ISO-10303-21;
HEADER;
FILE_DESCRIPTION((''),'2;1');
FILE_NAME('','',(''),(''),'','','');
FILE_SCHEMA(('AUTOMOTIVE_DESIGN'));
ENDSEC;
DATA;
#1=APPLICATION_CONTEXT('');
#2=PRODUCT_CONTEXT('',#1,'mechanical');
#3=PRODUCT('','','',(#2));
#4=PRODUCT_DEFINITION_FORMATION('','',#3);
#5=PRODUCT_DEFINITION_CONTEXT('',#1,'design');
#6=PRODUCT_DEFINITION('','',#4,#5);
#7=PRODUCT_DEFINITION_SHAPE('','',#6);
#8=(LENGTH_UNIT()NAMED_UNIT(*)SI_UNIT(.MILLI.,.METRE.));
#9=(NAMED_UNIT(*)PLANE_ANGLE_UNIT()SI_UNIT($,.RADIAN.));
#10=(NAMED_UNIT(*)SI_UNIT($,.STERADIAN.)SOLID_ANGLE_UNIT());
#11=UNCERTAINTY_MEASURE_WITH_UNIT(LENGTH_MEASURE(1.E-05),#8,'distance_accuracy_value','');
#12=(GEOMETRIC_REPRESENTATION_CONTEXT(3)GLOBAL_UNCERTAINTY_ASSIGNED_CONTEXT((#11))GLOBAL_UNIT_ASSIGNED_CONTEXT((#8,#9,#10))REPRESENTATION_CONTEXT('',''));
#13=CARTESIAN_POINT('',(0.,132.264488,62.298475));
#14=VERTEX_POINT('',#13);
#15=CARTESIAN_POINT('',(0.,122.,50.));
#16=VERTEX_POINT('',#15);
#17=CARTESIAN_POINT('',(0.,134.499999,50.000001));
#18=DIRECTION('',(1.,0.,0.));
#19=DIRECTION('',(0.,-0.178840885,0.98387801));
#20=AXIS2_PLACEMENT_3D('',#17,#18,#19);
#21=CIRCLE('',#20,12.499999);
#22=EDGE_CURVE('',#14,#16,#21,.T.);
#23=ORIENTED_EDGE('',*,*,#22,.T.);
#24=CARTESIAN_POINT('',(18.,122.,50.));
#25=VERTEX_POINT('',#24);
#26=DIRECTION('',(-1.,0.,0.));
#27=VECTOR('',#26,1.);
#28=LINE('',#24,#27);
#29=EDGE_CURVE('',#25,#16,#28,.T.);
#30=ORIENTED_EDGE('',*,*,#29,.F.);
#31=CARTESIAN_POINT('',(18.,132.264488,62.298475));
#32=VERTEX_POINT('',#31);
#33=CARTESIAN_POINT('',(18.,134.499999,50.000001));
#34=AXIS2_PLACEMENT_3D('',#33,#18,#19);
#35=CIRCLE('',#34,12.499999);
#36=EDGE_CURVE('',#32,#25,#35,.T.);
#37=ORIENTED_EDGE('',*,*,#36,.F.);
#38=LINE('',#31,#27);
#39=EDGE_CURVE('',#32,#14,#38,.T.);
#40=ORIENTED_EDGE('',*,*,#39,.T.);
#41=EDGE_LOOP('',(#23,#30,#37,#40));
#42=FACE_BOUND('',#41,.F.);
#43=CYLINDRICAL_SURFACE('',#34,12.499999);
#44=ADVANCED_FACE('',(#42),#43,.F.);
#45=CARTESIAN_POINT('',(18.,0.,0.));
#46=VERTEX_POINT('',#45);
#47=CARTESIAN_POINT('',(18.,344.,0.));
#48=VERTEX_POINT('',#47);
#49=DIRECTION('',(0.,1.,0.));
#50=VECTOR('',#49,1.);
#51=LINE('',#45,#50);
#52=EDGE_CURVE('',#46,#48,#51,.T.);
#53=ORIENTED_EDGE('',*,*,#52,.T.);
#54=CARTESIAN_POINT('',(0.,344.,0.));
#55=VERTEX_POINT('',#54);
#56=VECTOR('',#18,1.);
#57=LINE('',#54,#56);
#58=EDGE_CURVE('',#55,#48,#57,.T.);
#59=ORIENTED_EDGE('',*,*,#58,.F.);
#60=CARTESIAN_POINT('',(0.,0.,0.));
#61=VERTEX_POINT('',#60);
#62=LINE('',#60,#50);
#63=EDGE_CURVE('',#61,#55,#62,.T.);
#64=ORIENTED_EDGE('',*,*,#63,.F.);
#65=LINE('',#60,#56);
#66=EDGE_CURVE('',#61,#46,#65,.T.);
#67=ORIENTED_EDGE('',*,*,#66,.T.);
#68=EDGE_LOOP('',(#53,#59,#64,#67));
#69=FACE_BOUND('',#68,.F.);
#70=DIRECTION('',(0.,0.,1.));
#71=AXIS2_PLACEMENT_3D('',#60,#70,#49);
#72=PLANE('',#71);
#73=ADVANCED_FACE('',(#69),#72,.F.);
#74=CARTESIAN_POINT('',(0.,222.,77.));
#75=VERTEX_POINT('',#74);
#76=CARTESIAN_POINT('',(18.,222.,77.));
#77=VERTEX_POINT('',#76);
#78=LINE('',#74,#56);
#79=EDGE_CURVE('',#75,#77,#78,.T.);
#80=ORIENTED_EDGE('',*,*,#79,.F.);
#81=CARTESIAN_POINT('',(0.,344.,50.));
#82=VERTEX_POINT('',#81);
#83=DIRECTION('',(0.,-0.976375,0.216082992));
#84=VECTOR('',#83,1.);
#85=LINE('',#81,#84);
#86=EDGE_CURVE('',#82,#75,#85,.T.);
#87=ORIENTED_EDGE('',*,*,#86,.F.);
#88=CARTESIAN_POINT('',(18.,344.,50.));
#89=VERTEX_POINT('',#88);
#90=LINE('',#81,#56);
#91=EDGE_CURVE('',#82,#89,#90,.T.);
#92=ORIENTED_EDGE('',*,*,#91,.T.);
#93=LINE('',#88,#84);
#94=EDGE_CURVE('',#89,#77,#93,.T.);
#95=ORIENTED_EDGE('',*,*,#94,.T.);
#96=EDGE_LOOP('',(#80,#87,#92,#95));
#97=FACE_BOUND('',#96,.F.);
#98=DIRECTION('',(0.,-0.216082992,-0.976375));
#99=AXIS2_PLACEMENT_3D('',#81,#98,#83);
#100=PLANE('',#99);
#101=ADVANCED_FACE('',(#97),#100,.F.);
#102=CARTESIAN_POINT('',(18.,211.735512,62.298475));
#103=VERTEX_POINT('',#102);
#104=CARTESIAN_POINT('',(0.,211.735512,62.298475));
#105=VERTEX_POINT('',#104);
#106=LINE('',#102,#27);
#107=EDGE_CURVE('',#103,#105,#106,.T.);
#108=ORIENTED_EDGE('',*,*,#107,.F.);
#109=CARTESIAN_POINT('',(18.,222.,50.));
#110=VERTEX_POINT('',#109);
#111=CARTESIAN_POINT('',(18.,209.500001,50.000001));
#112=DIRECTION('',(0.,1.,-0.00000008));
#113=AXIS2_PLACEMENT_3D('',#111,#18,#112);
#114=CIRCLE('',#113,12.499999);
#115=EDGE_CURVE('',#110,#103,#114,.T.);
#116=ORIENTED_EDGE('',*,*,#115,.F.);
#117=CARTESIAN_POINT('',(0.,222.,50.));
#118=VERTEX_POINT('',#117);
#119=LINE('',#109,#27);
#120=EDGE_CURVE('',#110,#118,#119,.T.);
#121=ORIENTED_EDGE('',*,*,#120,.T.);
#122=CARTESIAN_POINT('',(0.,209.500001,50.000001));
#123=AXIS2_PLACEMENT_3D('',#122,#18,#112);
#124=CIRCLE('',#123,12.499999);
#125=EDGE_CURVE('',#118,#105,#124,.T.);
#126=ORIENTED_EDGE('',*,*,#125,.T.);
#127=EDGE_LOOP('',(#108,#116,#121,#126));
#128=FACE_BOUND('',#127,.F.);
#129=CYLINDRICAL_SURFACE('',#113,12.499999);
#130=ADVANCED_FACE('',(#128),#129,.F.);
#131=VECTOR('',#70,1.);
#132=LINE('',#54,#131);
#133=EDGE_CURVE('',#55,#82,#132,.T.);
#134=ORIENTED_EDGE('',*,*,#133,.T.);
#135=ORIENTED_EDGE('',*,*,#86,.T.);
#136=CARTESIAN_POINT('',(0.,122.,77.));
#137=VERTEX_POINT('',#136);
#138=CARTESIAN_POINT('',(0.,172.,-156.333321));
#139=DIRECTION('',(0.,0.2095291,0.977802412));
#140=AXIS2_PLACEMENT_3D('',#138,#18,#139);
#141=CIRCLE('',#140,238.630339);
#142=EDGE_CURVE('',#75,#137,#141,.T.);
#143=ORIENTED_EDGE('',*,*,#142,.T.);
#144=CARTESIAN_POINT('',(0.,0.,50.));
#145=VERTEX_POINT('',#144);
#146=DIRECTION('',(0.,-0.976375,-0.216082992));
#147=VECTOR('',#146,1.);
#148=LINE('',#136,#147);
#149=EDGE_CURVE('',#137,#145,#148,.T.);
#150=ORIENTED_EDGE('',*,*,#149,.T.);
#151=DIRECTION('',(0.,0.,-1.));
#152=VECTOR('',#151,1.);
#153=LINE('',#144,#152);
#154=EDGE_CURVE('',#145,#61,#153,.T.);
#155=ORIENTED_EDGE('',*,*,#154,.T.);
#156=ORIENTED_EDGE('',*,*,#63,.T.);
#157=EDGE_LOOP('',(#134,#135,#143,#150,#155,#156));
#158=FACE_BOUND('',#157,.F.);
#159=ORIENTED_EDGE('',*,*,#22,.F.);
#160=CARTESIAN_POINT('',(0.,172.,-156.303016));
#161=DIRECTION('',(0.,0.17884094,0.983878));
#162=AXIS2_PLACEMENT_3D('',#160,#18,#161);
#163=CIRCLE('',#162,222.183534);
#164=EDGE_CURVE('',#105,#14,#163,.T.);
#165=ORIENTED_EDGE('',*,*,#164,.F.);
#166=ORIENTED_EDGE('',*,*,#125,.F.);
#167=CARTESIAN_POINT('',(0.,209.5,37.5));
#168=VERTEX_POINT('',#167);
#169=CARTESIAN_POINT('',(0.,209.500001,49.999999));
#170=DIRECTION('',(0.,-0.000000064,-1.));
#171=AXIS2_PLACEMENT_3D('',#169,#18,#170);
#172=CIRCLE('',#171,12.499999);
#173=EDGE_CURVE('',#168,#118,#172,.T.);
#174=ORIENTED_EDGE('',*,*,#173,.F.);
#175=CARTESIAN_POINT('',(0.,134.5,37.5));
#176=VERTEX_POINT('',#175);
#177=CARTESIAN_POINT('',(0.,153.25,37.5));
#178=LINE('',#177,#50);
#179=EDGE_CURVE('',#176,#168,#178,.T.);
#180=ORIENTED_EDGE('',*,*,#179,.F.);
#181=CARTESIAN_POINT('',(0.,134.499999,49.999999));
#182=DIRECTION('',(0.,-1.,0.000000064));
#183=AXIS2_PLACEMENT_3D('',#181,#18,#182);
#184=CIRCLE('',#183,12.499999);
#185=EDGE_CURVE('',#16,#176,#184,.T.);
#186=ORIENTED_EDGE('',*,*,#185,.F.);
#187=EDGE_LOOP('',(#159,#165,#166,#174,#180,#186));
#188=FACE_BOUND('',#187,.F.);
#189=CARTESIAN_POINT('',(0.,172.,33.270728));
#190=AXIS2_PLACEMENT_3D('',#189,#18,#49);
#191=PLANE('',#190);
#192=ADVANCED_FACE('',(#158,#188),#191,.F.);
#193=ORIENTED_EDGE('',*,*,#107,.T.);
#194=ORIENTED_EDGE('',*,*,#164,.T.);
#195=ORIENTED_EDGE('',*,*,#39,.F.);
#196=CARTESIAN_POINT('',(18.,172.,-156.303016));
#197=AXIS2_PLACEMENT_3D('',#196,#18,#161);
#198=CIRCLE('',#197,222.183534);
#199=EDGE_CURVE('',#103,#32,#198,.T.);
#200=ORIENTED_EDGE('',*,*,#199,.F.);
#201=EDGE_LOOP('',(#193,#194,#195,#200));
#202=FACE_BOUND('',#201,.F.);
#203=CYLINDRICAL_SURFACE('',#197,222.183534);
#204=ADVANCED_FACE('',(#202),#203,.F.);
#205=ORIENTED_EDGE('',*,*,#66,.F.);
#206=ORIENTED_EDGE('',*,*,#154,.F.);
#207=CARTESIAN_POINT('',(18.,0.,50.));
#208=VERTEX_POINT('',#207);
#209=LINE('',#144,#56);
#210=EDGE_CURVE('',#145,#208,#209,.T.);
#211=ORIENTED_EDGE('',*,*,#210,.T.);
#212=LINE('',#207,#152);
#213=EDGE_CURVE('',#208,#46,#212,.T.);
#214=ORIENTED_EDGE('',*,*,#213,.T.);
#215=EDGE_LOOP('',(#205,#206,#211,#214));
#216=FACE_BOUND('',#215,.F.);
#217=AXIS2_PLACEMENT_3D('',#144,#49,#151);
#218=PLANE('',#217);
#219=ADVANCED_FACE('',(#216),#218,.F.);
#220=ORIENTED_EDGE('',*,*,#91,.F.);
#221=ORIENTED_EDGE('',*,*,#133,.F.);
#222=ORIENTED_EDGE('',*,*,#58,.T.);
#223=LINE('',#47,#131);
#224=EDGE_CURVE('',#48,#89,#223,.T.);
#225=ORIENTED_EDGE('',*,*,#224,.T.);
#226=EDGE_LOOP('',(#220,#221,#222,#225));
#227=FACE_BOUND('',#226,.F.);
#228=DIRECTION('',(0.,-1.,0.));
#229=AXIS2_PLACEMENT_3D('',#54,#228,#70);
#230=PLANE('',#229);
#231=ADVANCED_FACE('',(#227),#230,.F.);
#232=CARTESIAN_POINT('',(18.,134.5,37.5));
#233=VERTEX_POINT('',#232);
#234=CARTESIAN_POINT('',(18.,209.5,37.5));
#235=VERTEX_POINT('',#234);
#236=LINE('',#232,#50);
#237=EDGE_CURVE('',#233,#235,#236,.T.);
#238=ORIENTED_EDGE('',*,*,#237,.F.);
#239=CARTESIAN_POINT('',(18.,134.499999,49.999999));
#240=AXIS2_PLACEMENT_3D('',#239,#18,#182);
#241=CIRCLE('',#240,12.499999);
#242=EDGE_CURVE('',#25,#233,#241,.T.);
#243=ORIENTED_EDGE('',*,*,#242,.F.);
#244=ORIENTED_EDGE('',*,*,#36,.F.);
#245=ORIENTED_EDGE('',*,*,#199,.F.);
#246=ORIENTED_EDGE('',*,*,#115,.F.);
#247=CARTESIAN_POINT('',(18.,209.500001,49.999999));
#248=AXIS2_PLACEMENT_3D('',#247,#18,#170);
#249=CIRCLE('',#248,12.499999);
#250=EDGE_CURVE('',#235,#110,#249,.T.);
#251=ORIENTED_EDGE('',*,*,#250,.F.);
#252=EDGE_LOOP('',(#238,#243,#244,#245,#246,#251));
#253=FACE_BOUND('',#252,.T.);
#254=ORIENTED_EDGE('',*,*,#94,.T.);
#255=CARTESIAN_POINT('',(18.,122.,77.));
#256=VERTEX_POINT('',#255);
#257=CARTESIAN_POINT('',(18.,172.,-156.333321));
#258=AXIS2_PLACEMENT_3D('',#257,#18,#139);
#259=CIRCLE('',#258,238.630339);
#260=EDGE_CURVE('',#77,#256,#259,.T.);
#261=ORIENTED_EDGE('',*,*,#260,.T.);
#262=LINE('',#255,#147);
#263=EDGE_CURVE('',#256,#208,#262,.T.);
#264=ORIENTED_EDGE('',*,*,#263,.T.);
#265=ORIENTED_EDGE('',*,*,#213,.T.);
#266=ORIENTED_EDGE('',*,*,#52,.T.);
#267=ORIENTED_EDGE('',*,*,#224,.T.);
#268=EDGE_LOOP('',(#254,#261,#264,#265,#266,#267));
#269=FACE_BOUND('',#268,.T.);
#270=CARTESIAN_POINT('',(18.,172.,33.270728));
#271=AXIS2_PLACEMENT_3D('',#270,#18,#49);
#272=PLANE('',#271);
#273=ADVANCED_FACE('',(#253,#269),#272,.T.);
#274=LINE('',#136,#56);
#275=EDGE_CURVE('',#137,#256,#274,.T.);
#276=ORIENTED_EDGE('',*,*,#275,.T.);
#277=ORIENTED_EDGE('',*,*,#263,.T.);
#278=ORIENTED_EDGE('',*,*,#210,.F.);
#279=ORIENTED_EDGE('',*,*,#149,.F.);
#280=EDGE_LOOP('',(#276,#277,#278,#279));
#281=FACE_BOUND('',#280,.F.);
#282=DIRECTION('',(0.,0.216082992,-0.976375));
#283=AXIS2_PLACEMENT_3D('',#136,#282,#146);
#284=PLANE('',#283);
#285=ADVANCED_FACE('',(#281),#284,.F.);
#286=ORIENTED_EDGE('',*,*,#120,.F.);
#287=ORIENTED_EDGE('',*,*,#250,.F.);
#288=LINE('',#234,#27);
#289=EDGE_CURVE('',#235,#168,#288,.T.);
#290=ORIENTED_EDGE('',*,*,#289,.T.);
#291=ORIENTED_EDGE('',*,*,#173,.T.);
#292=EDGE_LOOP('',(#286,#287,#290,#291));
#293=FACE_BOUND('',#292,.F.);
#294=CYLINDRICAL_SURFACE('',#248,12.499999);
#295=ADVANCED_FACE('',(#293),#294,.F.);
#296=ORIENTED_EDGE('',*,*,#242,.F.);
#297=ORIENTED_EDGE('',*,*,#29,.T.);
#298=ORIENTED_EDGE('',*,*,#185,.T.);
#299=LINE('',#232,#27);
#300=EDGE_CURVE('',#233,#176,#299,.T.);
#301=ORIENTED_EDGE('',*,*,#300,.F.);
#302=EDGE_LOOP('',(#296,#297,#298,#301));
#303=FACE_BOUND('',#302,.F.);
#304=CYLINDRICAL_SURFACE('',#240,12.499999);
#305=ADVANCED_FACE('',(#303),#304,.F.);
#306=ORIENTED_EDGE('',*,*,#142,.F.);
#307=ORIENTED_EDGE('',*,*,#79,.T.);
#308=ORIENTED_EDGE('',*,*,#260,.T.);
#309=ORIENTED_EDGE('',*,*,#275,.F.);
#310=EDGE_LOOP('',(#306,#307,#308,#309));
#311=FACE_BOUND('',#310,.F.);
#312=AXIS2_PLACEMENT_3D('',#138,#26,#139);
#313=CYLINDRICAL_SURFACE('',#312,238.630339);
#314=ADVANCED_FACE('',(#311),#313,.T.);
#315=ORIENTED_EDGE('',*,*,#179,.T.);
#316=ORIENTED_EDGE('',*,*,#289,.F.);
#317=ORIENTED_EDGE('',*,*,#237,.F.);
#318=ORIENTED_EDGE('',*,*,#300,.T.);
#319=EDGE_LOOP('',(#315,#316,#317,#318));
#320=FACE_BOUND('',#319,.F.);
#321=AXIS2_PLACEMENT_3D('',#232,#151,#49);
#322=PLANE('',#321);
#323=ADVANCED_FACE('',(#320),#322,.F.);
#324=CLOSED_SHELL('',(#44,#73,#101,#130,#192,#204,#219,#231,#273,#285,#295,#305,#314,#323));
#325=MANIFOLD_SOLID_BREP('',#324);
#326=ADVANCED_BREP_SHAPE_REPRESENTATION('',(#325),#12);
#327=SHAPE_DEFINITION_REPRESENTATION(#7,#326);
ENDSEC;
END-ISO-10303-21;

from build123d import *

# Parameters (mm, degrees)
F1_DEPTH = 18
F3_DEPTH = 25


with BuildPart() as f1:
    # F0 (on Right) → F1 (new body)
    with BuildSketch(Plane.YZ):
        with BuildLine():
            Line((0, 50), (0, 0))
            Line((0, 0), (344, 0))
            Line((344, 0), (344, 50))
            Line((344, 50), (222, 77))
            ThreePointArc((222, 77), (172, 82.297018), (122, 77))
            Line((122, 77), (0, 50))
        make_face()
    extrude(amount=F1_DEPTH)

    # F2 (on face) → F3 (cut)
    with BuildSketch(Plane.YZ.offset(18)):
        with BuildLine():
            ThreePointArc((122, 50), (125.661165, 41.161165), (134.5, 37.5))
            Line((134.5, 37.5), (209.5, 37.5))
            ThreePointArc((209.5, 37.5), (218.338835, 41.161165), (222, 50))
            ThreePointArc((222, 50), (219.096716, 58.00956), (211.735512, 62.298475))
            ThreePointArc((211.735512, 62.298475), (172, 65.880518), (132.264488, 62.298475))
            ThreePointArc((132.264488, 62.298475), (124.903284, 58.00956), (122, 50))
        make_face()
    extrude(amount=-F3_DEPTH, mode=Mode.SUBTRACT)


solid = f1.part
